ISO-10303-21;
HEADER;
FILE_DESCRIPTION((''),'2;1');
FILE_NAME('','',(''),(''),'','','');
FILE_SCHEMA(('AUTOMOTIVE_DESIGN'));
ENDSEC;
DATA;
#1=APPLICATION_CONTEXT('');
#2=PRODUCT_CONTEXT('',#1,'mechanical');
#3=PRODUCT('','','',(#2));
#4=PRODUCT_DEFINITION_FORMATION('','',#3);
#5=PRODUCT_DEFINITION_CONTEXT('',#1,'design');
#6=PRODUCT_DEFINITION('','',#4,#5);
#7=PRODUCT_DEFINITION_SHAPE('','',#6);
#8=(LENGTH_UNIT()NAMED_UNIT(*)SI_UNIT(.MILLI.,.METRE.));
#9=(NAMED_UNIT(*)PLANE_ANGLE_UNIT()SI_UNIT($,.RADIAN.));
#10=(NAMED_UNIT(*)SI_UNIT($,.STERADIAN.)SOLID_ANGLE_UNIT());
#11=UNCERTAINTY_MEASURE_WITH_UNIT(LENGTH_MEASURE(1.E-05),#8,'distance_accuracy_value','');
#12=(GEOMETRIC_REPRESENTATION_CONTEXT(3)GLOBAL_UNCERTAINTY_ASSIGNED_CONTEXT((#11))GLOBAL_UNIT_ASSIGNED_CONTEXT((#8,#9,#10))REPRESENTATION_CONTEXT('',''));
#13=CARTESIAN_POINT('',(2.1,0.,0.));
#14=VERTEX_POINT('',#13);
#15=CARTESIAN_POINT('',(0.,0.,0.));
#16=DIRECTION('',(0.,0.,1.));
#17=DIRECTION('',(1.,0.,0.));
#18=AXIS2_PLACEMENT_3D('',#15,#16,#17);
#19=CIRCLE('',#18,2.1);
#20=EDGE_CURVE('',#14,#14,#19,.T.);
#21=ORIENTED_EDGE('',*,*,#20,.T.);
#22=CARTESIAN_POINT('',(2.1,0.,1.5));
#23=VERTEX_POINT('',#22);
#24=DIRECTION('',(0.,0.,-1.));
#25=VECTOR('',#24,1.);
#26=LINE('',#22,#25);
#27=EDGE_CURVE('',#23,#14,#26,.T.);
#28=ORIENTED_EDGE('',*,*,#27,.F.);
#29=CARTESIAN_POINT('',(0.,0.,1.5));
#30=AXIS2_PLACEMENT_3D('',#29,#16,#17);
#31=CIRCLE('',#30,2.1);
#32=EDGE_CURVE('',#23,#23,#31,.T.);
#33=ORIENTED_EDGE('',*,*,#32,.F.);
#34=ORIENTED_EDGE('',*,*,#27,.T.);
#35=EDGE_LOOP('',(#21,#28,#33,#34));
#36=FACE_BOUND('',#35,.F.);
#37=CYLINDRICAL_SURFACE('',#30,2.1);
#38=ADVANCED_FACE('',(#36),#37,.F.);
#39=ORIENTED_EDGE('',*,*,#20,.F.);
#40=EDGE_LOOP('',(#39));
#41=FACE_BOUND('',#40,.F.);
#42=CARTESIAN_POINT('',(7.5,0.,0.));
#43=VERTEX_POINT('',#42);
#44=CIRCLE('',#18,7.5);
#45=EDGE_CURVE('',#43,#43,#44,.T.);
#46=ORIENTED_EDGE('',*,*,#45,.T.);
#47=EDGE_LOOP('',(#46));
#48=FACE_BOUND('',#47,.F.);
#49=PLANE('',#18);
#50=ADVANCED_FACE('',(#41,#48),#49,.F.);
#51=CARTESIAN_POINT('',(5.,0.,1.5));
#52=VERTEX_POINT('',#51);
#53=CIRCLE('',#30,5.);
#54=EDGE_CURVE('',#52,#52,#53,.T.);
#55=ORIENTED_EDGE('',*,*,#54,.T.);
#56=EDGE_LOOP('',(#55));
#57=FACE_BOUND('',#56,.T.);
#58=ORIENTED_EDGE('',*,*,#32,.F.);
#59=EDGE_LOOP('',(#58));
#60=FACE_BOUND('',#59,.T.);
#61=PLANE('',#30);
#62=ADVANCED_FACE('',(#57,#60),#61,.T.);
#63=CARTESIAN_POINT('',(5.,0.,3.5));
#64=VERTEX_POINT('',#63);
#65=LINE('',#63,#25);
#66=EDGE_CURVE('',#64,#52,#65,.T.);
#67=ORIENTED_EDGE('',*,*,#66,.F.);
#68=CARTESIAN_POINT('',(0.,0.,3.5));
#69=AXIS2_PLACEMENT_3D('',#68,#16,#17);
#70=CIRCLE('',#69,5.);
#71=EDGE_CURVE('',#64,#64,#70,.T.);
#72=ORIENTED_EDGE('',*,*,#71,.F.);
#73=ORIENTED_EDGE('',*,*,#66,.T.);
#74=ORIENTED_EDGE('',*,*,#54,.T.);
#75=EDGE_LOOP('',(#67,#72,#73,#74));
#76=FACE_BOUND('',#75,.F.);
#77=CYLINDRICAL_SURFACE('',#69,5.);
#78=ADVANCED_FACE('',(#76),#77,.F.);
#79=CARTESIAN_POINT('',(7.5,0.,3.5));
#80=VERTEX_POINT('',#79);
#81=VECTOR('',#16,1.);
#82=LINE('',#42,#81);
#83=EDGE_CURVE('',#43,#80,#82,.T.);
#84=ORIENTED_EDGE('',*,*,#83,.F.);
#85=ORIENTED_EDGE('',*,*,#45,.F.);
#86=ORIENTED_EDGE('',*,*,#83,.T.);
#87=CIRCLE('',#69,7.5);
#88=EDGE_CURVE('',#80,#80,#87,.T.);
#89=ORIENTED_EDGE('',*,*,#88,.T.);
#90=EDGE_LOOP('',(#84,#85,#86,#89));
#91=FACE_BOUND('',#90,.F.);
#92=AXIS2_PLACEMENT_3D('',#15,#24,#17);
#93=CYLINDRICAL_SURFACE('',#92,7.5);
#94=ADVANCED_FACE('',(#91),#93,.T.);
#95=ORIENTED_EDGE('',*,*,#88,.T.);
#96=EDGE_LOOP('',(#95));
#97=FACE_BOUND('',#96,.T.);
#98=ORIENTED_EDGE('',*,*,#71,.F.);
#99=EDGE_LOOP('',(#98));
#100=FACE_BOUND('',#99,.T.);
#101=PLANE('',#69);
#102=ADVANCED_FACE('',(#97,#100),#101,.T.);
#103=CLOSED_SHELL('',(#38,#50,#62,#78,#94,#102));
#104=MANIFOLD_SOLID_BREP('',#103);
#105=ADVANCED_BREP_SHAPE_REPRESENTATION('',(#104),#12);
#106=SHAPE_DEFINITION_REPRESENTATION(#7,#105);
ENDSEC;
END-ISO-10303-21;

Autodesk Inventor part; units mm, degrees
ref_plane "YZ Plane" through (0, 0, 0) normal (1, 0, 0) x (0, 1, 0)
ref_plane "XZ Plane" through (0, 0, 0) normal (0, 1, 0) x (-1, 0, 0)
ref_plane "XY Plane" through (0, 0, 0) normal (0, 0, 1) x (1, 0, 0)
sketch "Boceto1" plane through (0, 0, 0) normal (0, 0, 1) x (1, 0, 0)
  circle A0 centre (0, 0) radius 7.5
  dimension "d0" = 15
extrude "Extrusión1" add sketch "Boceto1" along normal blind 3.5
sketch "Boceto2" plane through (0, 0, 3.5) normal (0, 0, 1) x (1, 0, 0)
  circle A0 centre (0, 0) radius 5
  dimension "d3" = 10
extrude "Extrusión2" cut sketch "Boceto2" against normal blind 2
sketch "Boceto3" plane through (0, 0, 1.5) normal (0, 0, 1) x (1, 0, 0)
  circle A0 centre (0, 0) radius 2.1
  dimension "d6" = 4.2
extrude "Extrusión3" cut sketch "Boceto3" against normal blind 2
properties part number "Huacha_caucho" material "Caucho"
